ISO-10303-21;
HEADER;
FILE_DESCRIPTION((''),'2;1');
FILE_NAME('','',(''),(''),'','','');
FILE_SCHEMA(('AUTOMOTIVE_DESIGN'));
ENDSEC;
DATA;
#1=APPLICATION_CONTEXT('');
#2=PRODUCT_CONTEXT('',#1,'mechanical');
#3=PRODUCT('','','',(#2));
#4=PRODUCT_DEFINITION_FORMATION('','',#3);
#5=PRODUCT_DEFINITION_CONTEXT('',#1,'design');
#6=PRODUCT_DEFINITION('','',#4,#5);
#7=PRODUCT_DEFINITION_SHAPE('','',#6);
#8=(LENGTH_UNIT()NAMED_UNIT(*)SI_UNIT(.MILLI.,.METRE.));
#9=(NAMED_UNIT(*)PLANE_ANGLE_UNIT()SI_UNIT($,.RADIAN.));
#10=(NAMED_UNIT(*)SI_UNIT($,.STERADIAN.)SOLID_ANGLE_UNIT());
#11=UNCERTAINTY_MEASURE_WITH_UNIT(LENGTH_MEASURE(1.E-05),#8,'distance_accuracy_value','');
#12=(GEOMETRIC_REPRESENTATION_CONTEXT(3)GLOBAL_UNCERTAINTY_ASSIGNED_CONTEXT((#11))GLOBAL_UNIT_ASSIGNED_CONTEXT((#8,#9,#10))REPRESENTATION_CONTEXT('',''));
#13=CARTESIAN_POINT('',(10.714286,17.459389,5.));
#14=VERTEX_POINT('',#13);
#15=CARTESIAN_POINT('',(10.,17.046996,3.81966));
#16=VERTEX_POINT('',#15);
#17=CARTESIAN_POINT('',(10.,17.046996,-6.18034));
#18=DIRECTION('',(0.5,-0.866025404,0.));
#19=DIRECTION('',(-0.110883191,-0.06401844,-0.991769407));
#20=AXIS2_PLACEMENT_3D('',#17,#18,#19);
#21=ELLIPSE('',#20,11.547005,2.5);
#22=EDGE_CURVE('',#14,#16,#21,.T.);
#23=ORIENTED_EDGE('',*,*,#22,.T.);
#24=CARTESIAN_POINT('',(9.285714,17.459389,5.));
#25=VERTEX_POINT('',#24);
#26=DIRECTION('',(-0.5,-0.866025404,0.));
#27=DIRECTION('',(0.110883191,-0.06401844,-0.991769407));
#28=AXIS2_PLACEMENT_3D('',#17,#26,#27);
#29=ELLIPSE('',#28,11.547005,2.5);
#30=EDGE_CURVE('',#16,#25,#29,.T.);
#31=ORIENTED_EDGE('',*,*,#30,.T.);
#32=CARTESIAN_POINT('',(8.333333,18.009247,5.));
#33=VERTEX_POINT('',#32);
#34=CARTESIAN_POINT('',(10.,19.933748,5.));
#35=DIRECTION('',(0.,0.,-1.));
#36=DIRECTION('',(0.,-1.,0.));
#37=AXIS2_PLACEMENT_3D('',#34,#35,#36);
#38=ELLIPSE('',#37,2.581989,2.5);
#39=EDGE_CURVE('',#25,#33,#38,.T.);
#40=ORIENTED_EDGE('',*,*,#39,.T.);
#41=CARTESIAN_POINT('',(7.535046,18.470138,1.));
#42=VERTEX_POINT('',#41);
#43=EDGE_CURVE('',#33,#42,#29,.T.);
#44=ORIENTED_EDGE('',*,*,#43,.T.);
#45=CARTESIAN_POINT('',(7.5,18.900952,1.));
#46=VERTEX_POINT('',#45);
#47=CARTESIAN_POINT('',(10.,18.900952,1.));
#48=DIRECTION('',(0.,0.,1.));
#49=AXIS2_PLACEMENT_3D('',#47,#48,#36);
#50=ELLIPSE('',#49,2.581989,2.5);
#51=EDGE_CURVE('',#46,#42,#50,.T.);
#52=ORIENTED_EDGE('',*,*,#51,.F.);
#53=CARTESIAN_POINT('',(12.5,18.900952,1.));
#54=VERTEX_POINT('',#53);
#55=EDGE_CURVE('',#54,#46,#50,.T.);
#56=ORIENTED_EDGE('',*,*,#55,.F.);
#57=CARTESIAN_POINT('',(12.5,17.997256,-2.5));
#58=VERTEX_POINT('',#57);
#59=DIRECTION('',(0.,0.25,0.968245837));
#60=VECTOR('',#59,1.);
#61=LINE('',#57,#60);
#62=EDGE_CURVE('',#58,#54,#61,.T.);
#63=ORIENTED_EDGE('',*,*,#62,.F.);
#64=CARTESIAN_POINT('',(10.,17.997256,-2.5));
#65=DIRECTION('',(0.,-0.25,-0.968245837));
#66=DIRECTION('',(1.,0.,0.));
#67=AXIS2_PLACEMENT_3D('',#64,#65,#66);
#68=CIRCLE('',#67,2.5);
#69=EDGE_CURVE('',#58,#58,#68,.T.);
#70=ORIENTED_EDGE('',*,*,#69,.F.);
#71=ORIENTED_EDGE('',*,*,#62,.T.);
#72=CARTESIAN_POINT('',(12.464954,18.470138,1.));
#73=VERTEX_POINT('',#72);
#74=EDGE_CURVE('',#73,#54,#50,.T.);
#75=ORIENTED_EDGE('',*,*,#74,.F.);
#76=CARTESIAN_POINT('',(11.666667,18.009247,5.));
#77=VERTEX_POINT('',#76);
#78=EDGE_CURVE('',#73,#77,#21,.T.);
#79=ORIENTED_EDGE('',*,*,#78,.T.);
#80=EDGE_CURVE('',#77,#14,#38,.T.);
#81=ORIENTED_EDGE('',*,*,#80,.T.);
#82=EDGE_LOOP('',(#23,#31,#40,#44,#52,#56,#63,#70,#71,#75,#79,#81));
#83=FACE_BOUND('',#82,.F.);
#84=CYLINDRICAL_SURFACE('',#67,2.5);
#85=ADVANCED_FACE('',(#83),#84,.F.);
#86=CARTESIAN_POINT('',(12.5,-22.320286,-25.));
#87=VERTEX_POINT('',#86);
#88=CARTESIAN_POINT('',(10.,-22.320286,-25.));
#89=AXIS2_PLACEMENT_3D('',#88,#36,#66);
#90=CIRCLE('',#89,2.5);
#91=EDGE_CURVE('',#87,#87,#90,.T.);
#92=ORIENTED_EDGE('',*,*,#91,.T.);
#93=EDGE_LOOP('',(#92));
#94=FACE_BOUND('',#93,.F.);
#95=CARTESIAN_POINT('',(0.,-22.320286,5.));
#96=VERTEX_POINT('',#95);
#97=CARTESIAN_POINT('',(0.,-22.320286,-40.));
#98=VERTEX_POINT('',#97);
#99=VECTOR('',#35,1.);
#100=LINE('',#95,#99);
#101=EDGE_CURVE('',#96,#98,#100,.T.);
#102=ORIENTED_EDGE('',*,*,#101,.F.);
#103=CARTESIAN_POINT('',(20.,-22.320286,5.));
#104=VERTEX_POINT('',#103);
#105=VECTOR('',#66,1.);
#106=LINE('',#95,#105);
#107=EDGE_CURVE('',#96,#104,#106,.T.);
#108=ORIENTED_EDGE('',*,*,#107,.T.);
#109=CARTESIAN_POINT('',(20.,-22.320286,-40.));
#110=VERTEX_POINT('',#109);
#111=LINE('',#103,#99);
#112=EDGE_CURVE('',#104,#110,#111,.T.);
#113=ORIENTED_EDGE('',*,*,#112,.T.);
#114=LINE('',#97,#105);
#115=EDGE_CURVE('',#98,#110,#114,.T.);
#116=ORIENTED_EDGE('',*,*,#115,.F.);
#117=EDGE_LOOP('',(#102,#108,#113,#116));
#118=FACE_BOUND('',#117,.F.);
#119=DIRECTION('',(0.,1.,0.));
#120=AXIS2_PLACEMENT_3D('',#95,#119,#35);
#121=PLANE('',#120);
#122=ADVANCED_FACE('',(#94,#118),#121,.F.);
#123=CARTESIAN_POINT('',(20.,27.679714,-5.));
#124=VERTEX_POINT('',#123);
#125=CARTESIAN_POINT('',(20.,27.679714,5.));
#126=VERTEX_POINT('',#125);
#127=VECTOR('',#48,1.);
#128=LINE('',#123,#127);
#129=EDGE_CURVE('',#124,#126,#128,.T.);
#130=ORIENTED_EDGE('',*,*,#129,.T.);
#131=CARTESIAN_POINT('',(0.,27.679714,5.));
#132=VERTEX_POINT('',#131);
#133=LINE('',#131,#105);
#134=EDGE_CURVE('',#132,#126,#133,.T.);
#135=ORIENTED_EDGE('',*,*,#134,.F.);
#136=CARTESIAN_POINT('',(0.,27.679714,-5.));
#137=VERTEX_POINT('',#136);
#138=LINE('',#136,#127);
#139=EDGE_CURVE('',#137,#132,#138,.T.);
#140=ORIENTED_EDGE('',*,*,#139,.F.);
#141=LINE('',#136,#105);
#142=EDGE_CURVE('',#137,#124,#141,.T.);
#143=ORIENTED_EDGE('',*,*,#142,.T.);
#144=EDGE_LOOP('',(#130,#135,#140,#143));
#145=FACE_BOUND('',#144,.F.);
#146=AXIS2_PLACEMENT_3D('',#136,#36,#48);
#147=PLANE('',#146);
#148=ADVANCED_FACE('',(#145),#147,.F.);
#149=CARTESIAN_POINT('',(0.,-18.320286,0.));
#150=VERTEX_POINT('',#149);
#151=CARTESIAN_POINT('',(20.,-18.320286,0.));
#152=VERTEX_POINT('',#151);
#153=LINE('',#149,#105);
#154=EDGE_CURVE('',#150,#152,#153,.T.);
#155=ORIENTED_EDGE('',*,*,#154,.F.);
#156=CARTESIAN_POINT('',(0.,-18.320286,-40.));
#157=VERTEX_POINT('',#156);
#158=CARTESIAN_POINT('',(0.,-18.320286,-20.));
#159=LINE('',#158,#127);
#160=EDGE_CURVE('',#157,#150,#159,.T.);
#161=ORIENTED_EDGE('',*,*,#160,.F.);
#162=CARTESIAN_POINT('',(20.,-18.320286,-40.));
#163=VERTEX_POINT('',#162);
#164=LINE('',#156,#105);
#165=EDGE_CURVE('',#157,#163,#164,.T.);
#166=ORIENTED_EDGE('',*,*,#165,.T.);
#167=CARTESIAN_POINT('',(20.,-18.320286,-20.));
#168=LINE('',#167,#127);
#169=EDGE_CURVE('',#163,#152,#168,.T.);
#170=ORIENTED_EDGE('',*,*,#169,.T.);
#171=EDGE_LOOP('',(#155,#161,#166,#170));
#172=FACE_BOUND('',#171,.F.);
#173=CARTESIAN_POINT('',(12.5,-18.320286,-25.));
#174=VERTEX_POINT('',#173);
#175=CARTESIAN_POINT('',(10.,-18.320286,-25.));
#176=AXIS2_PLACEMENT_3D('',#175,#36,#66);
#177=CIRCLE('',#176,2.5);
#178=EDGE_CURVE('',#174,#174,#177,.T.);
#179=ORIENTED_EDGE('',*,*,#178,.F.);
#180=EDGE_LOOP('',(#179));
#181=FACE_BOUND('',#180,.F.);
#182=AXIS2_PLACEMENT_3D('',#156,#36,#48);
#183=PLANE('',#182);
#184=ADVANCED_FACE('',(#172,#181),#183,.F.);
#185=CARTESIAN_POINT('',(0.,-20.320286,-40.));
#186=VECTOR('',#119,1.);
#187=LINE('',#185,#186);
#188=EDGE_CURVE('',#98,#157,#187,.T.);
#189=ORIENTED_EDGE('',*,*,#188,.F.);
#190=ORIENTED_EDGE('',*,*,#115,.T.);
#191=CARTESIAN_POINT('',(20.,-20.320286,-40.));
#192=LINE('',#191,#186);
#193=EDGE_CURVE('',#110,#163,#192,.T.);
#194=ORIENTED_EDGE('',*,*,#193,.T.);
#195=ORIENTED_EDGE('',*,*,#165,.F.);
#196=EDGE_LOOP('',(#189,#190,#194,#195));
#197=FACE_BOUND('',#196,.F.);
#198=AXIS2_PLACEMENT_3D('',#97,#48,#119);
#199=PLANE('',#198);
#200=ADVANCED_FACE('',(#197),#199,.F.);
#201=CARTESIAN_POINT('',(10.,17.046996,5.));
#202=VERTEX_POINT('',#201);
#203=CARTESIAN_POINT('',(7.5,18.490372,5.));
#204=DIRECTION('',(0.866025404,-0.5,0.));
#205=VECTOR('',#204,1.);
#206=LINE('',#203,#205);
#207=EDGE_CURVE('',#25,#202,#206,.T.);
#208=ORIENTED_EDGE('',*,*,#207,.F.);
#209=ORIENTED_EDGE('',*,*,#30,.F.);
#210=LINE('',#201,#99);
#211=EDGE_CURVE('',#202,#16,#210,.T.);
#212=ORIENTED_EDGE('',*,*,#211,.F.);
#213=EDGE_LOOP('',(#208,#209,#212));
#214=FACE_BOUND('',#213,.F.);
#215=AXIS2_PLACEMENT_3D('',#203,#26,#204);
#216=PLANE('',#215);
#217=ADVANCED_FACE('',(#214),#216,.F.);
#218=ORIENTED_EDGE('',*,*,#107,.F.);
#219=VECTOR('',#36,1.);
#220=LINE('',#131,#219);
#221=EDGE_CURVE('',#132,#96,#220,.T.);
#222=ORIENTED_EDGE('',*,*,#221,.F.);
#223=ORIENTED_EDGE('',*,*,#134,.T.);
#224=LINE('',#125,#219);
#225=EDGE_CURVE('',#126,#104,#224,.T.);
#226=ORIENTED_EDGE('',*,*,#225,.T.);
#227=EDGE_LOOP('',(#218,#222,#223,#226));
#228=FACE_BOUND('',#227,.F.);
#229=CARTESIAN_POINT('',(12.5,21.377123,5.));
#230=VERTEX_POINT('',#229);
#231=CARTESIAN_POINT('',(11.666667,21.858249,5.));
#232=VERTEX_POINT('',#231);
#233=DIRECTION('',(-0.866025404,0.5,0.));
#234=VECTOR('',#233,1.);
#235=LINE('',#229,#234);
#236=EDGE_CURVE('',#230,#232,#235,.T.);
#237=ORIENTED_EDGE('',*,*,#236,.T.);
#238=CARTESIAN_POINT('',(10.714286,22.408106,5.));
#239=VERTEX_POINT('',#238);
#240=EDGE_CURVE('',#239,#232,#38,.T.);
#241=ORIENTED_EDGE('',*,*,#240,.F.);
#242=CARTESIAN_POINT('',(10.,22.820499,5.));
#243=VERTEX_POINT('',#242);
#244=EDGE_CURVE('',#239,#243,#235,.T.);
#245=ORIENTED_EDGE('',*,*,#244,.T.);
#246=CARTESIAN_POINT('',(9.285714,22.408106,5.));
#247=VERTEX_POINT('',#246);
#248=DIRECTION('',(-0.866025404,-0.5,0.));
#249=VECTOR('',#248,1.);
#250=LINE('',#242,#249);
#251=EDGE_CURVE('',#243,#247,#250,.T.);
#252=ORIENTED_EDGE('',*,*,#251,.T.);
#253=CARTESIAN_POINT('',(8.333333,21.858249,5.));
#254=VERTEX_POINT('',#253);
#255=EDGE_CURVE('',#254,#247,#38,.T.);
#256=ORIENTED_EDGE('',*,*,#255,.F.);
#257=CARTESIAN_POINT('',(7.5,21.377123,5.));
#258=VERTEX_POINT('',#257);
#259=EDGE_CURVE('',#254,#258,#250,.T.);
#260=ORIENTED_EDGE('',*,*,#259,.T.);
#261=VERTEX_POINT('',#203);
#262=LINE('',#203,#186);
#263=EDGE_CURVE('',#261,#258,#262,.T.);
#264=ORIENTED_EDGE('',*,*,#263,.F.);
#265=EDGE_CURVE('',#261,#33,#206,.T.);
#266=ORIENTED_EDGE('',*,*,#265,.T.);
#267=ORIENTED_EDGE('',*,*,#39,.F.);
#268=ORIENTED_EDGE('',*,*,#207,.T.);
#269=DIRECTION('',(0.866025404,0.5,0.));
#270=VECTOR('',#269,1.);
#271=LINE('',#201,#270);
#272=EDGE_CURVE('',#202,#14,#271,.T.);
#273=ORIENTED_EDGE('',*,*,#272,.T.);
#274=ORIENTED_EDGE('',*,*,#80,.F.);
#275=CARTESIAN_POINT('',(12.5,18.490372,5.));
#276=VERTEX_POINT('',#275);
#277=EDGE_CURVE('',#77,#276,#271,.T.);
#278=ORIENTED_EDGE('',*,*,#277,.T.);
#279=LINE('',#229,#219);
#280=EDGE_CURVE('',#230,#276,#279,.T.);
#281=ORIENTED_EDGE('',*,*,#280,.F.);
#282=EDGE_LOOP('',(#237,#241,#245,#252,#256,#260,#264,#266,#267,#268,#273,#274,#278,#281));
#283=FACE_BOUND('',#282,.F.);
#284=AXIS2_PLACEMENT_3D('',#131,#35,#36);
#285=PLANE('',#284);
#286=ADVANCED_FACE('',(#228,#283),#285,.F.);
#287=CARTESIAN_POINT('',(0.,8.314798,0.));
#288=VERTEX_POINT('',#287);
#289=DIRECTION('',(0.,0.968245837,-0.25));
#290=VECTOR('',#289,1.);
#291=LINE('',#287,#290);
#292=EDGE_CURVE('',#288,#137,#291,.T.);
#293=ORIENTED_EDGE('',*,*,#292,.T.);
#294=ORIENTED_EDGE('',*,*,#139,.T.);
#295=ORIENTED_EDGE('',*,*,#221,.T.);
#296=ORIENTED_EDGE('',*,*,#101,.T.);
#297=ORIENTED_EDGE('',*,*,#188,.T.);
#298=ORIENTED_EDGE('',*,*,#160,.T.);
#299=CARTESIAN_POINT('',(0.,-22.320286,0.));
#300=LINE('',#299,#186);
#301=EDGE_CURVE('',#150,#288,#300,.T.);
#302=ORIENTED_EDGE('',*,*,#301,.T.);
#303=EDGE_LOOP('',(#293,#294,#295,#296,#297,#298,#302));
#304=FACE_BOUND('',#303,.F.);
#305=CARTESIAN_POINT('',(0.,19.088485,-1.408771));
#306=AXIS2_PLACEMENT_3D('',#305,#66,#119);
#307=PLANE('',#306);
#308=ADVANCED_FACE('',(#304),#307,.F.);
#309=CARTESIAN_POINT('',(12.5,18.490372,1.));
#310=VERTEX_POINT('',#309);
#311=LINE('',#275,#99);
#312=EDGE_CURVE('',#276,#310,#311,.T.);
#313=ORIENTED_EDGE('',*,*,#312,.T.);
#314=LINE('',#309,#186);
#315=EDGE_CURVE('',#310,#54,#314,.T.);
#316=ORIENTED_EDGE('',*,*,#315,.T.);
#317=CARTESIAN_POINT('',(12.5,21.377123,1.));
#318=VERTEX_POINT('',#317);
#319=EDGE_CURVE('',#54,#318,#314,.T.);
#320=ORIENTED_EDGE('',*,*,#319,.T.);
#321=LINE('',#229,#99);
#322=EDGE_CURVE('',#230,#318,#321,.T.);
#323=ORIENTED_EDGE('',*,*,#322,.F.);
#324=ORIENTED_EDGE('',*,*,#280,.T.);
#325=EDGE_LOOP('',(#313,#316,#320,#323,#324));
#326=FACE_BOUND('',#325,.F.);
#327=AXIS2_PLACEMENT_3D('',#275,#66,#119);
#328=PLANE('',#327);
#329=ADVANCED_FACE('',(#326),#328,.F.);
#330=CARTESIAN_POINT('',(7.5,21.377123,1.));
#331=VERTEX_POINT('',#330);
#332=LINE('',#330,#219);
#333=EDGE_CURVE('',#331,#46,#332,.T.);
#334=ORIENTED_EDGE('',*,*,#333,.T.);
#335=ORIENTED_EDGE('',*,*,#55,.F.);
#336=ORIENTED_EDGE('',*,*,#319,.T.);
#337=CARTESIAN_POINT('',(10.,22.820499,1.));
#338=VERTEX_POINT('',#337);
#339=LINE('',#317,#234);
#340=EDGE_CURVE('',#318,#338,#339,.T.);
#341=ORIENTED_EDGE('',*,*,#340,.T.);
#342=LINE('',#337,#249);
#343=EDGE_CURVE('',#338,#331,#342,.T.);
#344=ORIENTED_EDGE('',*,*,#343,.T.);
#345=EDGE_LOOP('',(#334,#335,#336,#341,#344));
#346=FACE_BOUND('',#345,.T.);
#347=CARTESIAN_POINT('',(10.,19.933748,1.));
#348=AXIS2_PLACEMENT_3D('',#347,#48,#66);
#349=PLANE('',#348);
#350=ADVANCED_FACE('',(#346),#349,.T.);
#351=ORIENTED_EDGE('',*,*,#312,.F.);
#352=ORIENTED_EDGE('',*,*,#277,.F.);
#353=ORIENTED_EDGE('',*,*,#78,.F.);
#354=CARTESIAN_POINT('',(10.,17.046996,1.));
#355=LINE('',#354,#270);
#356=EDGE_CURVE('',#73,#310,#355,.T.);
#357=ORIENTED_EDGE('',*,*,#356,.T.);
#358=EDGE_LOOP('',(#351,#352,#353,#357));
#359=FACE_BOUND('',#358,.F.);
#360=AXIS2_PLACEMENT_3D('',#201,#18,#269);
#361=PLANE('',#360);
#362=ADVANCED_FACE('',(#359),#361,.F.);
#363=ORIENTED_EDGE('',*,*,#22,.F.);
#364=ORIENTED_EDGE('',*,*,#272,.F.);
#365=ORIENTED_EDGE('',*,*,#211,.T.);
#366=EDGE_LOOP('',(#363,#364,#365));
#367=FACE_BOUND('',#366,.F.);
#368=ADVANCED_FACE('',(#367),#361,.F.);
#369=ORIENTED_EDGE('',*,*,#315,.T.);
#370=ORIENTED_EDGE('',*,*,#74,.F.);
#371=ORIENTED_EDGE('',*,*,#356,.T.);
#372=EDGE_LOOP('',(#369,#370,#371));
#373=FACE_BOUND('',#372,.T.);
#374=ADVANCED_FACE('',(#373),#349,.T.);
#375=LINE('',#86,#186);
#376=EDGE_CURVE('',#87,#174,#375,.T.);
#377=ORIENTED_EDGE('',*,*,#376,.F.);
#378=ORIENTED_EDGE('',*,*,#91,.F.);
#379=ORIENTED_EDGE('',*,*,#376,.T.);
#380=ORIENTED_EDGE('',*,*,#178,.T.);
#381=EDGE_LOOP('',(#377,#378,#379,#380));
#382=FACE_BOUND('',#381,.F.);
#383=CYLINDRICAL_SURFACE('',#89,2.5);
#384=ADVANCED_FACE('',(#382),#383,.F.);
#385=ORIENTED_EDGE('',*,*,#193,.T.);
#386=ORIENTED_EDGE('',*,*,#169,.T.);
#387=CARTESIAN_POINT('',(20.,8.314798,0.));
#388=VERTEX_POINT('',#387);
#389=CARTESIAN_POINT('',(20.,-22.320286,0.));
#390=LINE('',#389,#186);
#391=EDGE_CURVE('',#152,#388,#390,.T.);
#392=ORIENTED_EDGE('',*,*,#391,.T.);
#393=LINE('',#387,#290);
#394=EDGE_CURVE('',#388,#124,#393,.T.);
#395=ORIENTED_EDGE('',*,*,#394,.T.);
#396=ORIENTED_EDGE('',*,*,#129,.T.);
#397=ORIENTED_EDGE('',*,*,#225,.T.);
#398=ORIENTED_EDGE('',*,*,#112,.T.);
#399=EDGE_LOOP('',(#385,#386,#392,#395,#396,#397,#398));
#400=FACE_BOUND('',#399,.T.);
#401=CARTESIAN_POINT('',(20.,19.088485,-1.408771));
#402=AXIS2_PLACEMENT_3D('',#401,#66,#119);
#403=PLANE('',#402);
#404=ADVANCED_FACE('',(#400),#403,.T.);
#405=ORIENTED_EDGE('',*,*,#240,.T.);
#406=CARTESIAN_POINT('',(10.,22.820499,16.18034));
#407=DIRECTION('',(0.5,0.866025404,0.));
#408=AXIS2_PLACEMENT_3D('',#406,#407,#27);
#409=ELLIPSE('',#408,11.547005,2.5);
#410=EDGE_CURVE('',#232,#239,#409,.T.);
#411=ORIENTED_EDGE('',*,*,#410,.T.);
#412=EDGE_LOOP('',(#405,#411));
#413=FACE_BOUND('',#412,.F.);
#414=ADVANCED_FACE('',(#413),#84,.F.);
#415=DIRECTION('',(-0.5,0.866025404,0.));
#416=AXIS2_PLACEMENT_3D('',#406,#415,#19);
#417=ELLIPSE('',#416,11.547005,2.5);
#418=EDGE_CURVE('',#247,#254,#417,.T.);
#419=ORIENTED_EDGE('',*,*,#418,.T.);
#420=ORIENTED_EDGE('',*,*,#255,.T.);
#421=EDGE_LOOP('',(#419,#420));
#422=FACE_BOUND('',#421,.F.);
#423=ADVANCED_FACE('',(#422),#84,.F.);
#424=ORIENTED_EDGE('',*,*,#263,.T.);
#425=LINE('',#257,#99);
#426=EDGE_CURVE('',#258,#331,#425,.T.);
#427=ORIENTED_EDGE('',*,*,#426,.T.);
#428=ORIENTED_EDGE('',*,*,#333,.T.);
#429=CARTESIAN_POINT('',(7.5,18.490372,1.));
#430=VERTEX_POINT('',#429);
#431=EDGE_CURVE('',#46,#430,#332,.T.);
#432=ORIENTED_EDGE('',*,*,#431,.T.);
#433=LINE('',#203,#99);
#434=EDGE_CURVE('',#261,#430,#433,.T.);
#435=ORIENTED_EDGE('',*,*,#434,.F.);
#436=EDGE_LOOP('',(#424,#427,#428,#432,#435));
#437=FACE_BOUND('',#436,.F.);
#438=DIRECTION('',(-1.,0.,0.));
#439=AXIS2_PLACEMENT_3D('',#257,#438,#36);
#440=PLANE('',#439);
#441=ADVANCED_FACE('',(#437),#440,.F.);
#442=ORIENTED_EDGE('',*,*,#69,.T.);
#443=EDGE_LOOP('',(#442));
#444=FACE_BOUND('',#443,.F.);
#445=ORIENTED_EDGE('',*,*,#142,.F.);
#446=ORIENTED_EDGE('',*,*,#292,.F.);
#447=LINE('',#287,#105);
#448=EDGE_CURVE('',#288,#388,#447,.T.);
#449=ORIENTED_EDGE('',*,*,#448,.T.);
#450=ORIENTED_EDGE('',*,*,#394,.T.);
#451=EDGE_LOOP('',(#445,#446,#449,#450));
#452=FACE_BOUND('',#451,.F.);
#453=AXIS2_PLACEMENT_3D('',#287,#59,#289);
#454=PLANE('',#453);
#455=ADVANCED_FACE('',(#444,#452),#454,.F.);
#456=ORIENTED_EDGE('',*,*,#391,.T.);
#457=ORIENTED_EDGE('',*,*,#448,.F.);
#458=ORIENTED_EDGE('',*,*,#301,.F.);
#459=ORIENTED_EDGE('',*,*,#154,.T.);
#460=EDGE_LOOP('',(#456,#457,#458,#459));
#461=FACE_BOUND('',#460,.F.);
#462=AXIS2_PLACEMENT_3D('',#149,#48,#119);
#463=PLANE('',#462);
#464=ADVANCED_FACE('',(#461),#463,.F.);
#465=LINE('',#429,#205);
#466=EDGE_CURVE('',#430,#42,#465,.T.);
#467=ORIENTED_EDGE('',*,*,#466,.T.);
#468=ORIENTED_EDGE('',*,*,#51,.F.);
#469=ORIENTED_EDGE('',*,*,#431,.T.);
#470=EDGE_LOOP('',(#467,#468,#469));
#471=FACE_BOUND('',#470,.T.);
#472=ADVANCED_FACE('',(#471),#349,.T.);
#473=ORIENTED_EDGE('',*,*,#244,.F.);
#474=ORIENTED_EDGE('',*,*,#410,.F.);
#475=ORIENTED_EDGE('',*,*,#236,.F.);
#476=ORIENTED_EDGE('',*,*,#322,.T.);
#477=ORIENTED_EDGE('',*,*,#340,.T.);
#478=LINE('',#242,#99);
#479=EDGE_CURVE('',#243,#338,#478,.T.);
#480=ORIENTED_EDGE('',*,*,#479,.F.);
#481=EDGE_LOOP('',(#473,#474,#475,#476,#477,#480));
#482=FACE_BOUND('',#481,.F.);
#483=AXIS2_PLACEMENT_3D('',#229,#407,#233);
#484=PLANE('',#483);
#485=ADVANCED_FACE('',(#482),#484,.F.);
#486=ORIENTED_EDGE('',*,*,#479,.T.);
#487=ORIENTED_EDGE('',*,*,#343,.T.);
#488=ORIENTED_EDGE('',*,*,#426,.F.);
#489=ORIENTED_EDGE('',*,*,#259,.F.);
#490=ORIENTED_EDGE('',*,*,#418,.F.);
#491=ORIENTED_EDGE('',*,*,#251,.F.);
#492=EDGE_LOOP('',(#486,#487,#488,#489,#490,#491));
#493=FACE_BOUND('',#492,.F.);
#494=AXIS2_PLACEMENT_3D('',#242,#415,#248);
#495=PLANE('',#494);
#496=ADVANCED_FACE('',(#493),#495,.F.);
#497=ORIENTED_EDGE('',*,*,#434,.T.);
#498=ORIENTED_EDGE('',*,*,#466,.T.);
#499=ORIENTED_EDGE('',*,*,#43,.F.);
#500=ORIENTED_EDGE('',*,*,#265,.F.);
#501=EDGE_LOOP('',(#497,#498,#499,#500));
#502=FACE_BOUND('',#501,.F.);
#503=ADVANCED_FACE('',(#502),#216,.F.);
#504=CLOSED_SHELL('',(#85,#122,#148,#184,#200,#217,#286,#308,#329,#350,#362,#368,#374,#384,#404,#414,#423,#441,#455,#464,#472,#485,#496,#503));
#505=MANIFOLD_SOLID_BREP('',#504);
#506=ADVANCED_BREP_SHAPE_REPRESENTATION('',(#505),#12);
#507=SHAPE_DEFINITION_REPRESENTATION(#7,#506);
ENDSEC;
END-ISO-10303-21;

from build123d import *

# Parameters (mm, degrees)
F0_W     = 4
F0_H     = 40
F1_DEPTH = 20
F2_R     = 2.5
F3_DEPTH = 5
F4_R     = 2.5
F5_DEPTH = 10
F7_DEPTH = 4


with BuildPart() as f1:
    # F0 (on Right) → F1 (new body)
    with BuildSketch(Plane.YZ):
        Polygon((27.6797143764, -5), (27.6797143764, 0), (8.3147976454, 0), align=None)
        Polygon((8.3147976454, 0), (27.6797143764, 0), (27.6797143764, 5), (-22.3202856236, 5), (-22.3202856236, 0), (-18.3202856236, 0), align=None)
        with Locations((-20.3202856236, -20)):
            Rectangle(F0_W, F0_H)
    extrude(amount=F1_DEPTH)

    # F2 (on face) → F3 (cut)
    with BuildSketch(Plane.XZ.offset(22.3202856236)):
        with Locations((10, -25)):
            Circle(F2_R)
    extrude(amount=-F3_DEPTH, mode=Mode.SUBTRACT)

    # F4 (on face) → F5 (cut)
    with BuildSketch(Plane(origin=(0, 0.5196748528, 2.0126920505), x_dir=(1, 0, 0), z_dir=(0, -0.25, -0.9682458366))):
        with Locations((10, -18.0507682019)):
            Circle(F4_R)
    extrude(amount=-F5_DEPTH, mode=Mode.SUBTRACT)

    # F6 (on face) → F7 (cut)
    with BuildSketch(Plane.XY.offset(5)):
        Polygon((12.5, 18.4903720111), (12.5, 21.377123357), (10, 22.82049903), (7.5, 21.377123357), (7.5, 18.4903720111), (10, 17.0469963381), align=None)
    extrude(amount=-F7_DEPTH, mode=Mode.SUBTRACT)


solid = f1.part
